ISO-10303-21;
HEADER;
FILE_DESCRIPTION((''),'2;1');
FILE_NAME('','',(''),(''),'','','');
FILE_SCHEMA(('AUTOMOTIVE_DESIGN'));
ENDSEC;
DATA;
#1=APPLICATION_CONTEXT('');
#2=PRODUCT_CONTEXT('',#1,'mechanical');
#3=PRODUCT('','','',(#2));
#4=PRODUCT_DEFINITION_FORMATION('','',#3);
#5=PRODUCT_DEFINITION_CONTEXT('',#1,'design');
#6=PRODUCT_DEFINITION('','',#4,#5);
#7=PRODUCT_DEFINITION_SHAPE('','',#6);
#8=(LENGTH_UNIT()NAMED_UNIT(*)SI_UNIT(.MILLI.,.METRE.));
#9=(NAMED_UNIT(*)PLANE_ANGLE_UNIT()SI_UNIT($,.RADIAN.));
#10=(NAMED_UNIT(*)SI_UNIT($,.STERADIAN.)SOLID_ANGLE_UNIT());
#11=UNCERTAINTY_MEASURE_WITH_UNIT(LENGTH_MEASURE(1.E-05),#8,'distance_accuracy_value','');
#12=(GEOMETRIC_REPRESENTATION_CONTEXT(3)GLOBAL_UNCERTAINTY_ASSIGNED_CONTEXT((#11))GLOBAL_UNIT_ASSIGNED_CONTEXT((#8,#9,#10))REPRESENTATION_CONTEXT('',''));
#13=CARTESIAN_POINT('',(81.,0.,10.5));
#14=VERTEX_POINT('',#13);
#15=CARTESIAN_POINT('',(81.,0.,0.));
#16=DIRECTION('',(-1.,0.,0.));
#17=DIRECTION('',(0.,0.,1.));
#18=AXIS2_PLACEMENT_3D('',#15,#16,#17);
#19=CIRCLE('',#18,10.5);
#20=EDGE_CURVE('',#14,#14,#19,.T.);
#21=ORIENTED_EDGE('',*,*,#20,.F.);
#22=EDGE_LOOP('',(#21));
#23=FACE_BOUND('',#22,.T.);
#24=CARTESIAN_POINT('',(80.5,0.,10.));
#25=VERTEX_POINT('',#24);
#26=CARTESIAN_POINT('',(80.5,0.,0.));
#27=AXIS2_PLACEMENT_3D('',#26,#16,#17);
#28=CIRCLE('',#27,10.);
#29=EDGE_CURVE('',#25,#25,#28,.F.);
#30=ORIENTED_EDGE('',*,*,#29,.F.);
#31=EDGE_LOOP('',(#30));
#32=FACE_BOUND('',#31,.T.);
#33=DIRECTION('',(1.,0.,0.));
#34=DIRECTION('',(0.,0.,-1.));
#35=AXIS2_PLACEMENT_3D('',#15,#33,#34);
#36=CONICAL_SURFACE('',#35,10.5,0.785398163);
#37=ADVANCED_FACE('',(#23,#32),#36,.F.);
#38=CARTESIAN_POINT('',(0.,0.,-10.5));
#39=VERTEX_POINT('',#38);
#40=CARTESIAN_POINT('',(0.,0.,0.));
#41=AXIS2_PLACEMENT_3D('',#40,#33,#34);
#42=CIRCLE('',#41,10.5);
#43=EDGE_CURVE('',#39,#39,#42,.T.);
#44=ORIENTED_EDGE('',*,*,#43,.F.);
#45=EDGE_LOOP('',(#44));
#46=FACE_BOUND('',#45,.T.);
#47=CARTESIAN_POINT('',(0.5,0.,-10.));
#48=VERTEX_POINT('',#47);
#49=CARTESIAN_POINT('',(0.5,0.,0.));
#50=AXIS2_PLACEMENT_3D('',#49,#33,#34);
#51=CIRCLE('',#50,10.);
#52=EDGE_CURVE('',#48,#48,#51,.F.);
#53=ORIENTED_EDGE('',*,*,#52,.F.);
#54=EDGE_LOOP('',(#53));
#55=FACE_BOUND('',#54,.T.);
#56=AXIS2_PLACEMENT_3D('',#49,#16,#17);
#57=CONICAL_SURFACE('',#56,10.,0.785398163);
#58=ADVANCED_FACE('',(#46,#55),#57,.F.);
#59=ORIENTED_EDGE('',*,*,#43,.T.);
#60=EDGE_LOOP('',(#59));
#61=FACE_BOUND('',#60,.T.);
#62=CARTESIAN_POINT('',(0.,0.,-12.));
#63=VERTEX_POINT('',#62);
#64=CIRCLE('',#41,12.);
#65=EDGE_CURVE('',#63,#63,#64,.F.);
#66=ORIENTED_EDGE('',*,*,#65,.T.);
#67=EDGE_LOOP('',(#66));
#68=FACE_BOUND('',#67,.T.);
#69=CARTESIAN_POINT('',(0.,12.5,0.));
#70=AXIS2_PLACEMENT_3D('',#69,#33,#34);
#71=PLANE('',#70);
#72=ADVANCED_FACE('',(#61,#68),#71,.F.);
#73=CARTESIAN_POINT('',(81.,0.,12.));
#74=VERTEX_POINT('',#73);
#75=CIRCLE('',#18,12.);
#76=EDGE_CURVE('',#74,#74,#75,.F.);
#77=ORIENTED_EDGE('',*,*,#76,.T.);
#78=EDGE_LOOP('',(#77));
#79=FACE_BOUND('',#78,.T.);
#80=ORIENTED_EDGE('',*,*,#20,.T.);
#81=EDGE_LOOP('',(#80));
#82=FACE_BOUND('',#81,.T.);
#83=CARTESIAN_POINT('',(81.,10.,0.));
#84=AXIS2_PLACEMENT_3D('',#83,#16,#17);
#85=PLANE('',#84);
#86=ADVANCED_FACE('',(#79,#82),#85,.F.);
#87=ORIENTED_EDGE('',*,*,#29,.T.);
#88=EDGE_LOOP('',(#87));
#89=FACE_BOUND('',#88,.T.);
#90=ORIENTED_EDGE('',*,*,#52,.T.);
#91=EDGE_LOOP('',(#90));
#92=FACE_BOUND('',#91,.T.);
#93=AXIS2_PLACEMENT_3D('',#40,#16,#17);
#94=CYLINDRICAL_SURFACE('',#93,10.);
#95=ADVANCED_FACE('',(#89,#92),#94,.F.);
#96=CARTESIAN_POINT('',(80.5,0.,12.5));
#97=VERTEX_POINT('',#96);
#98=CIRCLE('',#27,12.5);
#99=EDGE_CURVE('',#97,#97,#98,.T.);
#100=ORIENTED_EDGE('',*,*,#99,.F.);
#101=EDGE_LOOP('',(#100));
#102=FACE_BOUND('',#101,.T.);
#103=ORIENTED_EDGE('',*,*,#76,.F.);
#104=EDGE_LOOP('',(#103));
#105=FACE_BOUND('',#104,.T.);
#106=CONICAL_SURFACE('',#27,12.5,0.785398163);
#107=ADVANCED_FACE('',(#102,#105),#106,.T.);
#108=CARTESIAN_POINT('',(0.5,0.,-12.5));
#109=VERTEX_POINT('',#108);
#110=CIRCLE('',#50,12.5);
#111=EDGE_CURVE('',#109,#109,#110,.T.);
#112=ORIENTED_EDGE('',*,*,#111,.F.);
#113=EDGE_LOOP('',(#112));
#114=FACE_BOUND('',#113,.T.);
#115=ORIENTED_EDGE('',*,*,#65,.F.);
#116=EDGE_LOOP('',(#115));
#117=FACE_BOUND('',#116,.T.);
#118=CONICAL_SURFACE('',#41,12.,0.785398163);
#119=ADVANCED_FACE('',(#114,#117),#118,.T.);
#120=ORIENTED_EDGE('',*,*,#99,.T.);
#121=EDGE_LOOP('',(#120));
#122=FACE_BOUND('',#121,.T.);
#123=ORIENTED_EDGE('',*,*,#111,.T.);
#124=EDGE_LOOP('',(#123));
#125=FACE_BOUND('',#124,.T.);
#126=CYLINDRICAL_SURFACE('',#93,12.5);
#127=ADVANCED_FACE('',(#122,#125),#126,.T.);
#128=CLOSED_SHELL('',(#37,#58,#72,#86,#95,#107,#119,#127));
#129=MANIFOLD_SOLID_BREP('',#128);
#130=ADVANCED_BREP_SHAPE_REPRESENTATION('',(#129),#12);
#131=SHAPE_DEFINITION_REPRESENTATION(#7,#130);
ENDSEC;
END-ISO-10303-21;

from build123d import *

# Parameters (mm, degrees)
SKETCH_1_W     = 81
SKETCH_1_H     = 2.5
CHAMFER_1_SIZE = 0.5


with BuildPart() as part:
    # Эскиз1 → Повернуть1 (revolve)
    with BuildSketch(Plane.XY):
        with Locations((40.5, 11.25)):
            Rectangle(SKETCH_1_W, SKETCH_1_H)
    revolve(axis=Axis((0, 0, 0), (1, 0, 0)))

    # Фаска1
    chamfer_1_edges = [part.edges().sort_by_distance(p)[0] for p in [
        (81, -12.5, 0),
        (81, -10, 0),
        (0, -10, 0),
        (0, -12.5, 0),
    ]]
    chamfer(chamfer_1_edges, length=CHAMFER_1_SIZE)


solid = part.part
